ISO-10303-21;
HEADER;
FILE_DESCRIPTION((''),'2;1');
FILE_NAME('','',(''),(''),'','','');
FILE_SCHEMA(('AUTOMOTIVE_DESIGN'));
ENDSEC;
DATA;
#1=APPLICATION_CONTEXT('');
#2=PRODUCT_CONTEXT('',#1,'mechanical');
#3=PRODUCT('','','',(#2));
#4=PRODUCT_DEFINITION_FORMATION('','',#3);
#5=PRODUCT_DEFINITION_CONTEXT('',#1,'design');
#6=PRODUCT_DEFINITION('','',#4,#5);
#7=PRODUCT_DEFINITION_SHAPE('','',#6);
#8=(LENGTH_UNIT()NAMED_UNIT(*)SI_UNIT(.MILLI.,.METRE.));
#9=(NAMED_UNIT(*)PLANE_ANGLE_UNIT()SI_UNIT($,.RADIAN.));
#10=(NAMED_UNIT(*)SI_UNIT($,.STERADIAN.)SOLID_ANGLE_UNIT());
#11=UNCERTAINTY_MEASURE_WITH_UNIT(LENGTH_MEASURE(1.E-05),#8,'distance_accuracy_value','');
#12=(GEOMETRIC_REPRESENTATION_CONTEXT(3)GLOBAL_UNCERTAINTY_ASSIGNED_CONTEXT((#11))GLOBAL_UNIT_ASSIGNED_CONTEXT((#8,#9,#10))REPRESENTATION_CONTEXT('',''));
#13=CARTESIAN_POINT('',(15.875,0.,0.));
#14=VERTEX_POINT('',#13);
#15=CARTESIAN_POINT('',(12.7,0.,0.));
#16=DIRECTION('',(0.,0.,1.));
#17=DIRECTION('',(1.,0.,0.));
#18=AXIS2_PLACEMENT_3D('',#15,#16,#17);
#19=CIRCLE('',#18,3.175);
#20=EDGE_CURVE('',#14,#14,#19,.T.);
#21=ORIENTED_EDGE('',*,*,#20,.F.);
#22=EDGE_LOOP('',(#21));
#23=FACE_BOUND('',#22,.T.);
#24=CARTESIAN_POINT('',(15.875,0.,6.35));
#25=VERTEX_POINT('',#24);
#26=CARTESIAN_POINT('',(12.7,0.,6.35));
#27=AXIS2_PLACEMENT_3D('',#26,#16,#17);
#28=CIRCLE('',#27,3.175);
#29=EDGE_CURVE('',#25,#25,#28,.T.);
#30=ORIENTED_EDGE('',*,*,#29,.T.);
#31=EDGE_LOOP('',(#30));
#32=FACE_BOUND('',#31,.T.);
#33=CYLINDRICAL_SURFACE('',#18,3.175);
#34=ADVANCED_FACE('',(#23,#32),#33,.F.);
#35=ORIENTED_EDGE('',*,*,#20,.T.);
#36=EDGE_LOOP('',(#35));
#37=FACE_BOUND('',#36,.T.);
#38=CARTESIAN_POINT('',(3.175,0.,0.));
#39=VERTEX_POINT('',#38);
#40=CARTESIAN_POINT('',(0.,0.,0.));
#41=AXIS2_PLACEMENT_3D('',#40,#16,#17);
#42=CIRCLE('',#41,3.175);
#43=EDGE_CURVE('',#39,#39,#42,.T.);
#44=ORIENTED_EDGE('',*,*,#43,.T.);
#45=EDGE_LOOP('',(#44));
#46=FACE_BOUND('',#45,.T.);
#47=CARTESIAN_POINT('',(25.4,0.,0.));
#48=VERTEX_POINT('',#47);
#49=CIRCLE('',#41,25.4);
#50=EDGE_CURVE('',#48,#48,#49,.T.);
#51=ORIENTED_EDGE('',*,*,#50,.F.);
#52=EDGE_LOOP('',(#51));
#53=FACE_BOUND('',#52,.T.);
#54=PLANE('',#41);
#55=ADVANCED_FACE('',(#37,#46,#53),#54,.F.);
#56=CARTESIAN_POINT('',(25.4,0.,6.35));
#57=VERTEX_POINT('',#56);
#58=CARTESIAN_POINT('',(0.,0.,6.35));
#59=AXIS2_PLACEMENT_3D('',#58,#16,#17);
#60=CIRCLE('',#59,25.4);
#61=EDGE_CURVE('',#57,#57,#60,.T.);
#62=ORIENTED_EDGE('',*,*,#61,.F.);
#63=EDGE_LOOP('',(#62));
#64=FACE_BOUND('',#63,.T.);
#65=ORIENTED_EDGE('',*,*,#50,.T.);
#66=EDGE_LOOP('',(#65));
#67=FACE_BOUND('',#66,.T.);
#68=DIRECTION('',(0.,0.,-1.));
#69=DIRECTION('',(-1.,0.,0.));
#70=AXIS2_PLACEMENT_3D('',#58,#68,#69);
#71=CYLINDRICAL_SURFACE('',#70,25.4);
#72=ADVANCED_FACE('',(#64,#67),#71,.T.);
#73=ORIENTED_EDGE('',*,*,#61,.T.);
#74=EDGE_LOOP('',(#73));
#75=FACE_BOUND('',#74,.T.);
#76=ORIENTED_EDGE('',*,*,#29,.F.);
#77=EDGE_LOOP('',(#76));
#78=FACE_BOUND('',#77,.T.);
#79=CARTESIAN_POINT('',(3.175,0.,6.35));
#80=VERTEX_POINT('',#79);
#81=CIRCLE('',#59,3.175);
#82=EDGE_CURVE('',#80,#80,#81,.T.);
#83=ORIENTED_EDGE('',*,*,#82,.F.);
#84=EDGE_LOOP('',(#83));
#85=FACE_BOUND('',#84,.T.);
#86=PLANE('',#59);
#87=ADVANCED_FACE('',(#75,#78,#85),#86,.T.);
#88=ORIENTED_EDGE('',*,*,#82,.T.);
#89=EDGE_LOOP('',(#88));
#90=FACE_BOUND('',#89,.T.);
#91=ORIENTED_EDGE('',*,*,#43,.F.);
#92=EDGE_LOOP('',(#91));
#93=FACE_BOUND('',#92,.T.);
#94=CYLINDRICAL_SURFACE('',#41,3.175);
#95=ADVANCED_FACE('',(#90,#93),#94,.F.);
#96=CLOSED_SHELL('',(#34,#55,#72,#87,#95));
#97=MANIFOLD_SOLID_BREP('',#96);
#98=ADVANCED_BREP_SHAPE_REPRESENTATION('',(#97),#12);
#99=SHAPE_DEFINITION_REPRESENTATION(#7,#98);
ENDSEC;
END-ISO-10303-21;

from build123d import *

# Parameters (mm, degrees)
SKETCH1_R           = 25.4
BOSS_EXTRUDE1_DEPTH = 6.35
SKETCH2_R           = 3.175
CUT_EXTRUDE1_DEPTH  = 37.477972806


with BuildPart() as part:
    # Sketch1 → Boss-Extrude1 (new body)
    with BuildSketch(Plane.XY):
        Circle(SKETCH1_R)
    extrude(amount=BOSS_EXTRUDE1_DEPTH)

    # Sketch2 → Cut-Extrude1 (cut, through all)
    with BuildSketch(Plane.XY.offset(6.35)):
        with Locations((12.7, 0)):
            Circle(SKETCH2_R)
        Circle(SKETCH2_R)
    extrude(amount=-CUT_EXTRUDE1_DEPTH, mode=Mode.SUBTRACT)


solid = part.part
